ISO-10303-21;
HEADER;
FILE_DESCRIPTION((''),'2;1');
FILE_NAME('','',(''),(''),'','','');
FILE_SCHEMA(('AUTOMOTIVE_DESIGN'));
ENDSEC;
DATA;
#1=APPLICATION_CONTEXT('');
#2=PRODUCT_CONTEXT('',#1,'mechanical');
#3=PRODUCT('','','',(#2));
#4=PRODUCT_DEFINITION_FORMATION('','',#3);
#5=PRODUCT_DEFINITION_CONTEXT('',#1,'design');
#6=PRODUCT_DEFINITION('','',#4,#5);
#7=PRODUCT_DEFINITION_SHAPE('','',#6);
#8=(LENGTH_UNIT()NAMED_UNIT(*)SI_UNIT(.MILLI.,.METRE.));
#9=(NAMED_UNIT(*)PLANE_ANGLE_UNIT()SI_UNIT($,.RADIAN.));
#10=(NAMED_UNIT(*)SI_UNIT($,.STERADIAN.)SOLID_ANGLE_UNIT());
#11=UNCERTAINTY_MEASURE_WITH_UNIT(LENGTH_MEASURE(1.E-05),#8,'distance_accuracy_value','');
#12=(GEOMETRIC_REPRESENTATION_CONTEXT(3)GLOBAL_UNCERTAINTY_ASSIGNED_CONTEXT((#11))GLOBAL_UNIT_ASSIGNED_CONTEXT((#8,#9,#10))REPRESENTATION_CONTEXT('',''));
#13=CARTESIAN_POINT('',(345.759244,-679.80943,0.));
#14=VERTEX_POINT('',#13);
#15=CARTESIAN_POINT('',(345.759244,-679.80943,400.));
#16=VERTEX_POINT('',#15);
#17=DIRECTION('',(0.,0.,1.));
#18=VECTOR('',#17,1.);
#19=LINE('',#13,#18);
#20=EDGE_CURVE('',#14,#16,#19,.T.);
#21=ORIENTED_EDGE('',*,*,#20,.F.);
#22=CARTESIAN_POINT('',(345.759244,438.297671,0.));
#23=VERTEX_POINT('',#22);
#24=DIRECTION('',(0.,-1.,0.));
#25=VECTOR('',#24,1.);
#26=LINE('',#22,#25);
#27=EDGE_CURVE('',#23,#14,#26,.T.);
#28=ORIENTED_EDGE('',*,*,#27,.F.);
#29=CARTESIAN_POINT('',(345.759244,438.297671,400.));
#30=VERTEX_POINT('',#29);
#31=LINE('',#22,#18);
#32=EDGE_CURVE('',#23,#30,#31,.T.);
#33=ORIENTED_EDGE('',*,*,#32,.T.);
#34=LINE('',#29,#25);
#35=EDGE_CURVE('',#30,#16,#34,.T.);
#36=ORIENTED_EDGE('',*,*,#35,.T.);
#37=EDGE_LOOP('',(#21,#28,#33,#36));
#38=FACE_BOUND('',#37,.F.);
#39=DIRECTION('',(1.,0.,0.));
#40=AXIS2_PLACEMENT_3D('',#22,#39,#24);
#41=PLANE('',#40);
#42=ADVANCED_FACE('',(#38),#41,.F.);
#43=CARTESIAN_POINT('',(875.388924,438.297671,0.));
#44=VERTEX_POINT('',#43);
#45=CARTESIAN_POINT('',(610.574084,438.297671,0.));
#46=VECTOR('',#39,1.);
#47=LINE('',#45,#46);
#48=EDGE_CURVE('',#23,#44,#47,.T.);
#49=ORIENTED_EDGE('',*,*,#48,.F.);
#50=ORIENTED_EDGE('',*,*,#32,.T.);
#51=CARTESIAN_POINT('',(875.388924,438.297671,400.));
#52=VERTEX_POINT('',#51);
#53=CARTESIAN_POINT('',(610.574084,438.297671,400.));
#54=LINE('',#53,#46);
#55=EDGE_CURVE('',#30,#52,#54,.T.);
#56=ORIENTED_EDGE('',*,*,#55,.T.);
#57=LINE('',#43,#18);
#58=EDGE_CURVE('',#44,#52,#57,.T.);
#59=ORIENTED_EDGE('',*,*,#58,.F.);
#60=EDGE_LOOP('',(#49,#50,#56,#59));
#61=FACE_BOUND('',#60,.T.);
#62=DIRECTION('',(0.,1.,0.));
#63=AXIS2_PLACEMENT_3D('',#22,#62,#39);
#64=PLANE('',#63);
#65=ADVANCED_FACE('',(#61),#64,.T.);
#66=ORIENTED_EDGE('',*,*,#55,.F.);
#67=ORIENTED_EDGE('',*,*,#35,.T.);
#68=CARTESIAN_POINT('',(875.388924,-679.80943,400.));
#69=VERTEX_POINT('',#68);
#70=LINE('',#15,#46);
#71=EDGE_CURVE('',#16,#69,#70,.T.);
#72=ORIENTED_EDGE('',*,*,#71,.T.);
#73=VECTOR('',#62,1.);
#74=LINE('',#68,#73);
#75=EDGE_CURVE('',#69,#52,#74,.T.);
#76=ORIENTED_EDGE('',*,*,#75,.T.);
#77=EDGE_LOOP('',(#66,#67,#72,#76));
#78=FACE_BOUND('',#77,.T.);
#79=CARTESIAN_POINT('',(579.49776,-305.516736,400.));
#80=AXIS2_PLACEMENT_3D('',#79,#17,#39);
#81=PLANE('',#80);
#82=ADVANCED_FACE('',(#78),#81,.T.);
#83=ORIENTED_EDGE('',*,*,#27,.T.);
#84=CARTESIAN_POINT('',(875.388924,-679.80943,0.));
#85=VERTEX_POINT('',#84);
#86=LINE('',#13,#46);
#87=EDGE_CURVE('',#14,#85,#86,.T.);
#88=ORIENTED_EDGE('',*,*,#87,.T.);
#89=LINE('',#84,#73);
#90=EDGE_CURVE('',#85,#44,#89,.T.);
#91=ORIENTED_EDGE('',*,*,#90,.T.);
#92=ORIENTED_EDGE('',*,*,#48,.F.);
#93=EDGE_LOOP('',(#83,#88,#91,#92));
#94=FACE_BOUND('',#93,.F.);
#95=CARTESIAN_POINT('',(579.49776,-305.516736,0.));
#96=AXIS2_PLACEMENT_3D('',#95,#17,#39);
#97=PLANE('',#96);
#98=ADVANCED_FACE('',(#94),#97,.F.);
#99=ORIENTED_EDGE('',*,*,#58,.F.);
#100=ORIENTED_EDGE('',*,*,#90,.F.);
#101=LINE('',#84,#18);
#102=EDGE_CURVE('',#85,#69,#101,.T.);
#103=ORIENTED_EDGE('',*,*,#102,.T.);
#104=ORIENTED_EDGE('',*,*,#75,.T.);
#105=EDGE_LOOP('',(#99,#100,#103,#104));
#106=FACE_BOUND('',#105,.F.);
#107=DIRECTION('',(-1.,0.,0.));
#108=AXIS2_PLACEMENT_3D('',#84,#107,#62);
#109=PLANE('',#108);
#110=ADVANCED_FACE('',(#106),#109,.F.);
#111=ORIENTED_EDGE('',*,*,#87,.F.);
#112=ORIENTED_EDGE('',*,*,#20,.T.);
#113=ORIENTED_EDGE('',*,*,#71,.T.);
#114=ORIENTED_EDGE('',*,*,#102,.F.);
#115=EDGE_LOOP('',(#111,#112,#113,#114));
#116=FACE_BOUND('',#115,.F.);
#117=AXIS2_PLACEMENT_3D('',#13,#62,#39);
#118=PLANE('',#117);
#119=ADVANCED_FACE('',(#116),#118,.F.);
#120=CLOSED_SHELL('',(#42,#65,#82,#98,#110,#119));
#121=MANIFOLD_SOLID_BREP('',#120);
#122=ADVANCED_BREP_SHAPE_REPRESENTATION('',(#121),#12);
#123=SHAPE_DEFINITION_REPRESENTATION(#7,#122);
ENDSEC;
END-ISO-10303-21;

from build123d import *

# Parameters (mm, degrees)
F0_W     = 529.62968
F0_H     = 259.053551
F1_DEPTH = 400


with BuildPart() as f1:
    # F0 (on Top) → F1 (new body)
    with BuildSketch(Plane.XY):
        Polygon((875.388924, -120.755879), (345.759244, 179.244121), (345.759244, -679.80943), (875.388924, -679.80943), align=None)
        Polygon((875.388924, 179.244121), (345.759244, 179.244121), (875.388924, -120.755879), align=None)
        with Locations((610.574084, 308.770896)):
            Rectangle(F0_W, F0_H)
    extrude(amount=F1_DEPTH)


solid = f1.part
